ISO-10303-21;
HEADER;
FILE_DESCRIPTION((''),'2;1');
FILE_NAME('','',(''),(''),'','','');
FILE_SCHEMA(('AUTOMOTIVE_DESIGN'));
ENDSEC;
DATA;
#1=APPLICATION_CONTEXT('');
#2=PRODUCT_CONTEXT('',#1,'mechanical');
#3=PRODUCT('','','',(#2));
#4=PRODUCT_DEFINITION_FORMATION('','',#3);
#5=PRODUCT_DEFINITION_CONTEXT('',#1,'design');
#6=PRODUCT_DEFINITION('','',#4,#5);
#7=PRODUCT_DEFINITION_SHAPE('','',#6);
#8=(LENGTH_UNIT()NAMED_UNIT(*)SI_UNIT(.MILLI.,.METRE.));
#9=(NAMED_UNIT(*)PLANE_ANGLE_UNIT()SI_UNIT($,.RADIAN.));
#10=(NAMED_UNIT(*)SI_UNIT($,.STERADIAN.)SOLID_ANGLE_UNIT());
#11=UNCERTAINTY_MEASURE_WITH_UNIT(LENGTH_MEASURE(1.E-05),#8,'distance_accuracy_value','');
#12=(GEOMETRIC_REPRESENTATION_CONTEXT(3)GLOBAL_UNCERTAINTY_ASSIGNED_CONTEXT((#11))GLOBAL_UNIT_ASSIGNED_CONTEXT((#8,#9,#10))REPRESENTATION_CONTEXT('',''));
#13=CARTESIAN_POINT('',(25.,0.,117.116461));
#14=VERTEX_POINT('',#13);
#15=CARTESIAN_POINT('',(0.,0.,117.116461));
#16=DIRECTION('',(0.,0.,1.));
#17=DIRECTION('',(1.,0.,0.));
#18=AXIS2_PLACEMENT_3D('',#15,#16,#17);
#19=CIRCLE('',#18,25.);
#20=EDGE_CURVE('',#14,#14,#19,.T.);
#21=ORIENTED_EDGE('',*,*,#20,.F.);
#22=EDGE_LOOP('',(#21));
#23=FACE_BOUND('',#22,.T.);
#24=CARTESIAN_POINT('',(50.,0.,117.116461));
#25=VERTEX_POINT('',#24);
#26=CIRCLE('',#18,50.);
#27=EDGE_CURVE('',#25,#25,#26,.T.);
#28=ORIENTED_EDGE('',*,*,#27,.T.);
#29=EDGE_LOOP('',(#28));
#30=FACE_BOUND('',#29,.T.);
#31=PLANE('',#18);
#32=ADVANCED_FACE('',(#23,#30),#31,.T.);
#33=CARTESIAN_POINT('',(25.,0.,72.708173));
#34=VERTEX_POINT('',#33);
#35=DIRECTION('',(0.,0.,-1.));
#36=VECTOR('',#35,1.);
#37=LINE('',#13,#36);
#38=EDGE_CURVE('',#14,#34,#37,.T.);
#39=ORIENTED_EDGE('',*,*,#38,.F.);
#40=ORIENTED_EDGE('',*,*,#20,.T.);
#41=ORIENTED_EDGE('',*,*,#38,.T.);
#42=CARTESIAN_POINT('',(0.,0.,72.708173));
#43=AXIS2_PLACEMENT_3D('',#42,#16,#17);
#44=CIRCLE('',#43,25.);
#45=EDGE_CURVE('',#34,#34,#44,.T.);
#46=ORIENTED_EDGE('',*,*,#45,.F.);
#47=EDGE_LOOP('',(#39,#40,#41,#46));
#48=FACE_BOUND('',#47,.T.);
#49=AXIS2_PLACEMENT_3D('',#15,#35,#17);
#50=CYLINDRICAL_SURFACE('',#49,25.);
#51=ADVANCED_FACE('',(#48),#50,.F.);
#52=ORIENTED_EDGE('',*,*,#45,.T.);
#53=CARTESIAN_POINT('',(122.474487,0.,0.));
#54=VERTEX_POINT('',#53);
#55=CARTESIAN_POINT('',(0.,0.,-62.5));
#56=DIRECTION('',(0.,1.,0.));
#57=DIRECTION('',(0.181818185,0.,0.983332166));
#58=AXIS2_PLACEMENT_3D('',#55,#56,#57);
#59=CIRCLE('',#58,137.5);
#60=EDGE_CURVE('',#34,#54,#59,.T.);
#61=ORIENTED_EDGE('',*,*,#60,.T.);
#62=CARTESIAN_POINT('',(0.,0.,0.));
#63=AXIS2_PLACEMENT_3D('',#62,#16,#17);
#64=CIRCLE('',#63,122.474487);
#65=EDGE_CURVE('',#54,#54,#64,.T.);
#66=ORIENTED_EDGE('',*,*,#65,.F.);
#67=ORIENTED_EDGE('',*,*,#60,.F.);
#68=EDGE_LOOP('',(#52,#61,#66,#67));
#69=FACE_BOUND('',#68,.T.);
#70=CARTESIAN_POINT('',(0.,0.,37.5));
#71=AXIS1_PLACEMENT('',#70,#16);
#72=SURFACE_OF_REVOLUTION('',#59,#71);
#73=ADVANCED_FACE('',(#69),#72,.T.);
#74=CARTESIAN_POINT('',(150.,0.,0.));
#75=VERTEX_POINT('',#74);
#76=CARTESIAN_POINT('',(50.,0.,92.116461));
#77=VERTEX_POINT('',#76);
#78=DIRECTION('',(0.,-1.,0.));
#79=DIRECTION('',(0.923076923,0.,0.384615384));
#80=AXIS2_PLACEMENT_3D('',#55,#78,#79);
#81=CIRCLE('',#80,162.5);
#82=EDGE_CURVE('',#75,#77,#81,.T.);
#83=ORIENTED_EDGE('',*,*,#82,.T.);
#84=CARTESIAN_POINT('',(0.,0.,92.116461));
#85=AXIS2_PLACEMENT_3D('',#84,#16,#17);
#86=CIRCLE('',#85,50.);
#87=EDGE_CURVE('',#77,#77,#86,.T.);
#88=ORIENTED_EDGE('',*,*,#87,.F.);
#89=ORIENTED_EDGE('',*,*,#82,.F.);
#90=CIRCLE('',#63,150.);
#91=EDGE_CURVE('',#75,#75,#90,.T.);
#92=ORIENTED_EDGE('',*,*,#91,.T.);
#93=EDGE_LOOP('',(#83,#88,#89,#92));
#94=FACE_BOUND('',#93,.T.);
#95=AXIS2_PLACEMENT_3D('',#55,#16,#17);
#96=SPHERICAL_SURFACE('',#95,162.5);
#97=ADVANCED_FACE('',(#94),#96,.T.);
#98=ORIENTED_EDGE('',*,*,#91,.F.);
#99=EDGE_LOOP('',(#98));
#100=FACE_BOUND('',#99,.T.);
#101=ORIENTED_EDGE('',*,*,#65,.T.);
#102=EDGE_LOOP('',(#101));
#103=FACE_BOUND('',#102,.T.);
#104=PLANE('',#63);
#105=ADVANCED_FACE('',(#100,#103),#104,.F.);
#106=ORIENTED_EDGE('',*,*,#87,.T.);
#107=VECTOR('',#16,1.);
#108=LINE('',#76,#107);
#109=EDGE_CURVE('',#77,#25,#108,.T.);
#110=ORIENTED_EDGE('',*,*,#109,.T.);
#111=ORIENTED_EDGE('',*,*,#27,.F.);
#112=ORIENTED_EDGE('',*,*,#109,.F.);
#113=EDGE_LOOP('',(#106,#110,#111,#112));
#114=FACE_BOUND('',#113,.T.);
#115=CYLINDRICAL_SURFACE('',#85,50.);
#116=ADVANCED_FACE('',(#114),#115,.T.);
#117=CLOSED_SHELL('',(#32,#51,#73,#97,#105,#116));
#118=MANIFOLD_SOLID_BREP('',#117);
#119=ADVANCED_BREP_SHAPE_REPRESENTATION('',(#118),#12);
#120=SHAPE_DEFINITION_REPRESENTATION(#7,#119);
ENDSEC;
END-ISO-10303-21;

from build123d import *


with BuildPart() as f1:
    # F0 (on Front) → F1 (revolve)
    with BuildSketch(Plane.XZ):
        with BuildLine():
            Line((122.474487, 0), (150, 0))
            ThreePointArc((150, 0), (110.097051, 57.01941), (50, 92.116461))
            Line((50, 92.116461), (50, 117.116461))
            Line((50, 117.116461), (25, 117.116461))
            Line((25, 117.116461), (25, 72.708173))
            ThreePointArc((25, 72.708173), (82.211925, 47.715468), (122.474487, 0))
        make_face()
    revolve(axis=Axis((0, 0, 37.5), (0, 0, 1)))


solid = f1.part
